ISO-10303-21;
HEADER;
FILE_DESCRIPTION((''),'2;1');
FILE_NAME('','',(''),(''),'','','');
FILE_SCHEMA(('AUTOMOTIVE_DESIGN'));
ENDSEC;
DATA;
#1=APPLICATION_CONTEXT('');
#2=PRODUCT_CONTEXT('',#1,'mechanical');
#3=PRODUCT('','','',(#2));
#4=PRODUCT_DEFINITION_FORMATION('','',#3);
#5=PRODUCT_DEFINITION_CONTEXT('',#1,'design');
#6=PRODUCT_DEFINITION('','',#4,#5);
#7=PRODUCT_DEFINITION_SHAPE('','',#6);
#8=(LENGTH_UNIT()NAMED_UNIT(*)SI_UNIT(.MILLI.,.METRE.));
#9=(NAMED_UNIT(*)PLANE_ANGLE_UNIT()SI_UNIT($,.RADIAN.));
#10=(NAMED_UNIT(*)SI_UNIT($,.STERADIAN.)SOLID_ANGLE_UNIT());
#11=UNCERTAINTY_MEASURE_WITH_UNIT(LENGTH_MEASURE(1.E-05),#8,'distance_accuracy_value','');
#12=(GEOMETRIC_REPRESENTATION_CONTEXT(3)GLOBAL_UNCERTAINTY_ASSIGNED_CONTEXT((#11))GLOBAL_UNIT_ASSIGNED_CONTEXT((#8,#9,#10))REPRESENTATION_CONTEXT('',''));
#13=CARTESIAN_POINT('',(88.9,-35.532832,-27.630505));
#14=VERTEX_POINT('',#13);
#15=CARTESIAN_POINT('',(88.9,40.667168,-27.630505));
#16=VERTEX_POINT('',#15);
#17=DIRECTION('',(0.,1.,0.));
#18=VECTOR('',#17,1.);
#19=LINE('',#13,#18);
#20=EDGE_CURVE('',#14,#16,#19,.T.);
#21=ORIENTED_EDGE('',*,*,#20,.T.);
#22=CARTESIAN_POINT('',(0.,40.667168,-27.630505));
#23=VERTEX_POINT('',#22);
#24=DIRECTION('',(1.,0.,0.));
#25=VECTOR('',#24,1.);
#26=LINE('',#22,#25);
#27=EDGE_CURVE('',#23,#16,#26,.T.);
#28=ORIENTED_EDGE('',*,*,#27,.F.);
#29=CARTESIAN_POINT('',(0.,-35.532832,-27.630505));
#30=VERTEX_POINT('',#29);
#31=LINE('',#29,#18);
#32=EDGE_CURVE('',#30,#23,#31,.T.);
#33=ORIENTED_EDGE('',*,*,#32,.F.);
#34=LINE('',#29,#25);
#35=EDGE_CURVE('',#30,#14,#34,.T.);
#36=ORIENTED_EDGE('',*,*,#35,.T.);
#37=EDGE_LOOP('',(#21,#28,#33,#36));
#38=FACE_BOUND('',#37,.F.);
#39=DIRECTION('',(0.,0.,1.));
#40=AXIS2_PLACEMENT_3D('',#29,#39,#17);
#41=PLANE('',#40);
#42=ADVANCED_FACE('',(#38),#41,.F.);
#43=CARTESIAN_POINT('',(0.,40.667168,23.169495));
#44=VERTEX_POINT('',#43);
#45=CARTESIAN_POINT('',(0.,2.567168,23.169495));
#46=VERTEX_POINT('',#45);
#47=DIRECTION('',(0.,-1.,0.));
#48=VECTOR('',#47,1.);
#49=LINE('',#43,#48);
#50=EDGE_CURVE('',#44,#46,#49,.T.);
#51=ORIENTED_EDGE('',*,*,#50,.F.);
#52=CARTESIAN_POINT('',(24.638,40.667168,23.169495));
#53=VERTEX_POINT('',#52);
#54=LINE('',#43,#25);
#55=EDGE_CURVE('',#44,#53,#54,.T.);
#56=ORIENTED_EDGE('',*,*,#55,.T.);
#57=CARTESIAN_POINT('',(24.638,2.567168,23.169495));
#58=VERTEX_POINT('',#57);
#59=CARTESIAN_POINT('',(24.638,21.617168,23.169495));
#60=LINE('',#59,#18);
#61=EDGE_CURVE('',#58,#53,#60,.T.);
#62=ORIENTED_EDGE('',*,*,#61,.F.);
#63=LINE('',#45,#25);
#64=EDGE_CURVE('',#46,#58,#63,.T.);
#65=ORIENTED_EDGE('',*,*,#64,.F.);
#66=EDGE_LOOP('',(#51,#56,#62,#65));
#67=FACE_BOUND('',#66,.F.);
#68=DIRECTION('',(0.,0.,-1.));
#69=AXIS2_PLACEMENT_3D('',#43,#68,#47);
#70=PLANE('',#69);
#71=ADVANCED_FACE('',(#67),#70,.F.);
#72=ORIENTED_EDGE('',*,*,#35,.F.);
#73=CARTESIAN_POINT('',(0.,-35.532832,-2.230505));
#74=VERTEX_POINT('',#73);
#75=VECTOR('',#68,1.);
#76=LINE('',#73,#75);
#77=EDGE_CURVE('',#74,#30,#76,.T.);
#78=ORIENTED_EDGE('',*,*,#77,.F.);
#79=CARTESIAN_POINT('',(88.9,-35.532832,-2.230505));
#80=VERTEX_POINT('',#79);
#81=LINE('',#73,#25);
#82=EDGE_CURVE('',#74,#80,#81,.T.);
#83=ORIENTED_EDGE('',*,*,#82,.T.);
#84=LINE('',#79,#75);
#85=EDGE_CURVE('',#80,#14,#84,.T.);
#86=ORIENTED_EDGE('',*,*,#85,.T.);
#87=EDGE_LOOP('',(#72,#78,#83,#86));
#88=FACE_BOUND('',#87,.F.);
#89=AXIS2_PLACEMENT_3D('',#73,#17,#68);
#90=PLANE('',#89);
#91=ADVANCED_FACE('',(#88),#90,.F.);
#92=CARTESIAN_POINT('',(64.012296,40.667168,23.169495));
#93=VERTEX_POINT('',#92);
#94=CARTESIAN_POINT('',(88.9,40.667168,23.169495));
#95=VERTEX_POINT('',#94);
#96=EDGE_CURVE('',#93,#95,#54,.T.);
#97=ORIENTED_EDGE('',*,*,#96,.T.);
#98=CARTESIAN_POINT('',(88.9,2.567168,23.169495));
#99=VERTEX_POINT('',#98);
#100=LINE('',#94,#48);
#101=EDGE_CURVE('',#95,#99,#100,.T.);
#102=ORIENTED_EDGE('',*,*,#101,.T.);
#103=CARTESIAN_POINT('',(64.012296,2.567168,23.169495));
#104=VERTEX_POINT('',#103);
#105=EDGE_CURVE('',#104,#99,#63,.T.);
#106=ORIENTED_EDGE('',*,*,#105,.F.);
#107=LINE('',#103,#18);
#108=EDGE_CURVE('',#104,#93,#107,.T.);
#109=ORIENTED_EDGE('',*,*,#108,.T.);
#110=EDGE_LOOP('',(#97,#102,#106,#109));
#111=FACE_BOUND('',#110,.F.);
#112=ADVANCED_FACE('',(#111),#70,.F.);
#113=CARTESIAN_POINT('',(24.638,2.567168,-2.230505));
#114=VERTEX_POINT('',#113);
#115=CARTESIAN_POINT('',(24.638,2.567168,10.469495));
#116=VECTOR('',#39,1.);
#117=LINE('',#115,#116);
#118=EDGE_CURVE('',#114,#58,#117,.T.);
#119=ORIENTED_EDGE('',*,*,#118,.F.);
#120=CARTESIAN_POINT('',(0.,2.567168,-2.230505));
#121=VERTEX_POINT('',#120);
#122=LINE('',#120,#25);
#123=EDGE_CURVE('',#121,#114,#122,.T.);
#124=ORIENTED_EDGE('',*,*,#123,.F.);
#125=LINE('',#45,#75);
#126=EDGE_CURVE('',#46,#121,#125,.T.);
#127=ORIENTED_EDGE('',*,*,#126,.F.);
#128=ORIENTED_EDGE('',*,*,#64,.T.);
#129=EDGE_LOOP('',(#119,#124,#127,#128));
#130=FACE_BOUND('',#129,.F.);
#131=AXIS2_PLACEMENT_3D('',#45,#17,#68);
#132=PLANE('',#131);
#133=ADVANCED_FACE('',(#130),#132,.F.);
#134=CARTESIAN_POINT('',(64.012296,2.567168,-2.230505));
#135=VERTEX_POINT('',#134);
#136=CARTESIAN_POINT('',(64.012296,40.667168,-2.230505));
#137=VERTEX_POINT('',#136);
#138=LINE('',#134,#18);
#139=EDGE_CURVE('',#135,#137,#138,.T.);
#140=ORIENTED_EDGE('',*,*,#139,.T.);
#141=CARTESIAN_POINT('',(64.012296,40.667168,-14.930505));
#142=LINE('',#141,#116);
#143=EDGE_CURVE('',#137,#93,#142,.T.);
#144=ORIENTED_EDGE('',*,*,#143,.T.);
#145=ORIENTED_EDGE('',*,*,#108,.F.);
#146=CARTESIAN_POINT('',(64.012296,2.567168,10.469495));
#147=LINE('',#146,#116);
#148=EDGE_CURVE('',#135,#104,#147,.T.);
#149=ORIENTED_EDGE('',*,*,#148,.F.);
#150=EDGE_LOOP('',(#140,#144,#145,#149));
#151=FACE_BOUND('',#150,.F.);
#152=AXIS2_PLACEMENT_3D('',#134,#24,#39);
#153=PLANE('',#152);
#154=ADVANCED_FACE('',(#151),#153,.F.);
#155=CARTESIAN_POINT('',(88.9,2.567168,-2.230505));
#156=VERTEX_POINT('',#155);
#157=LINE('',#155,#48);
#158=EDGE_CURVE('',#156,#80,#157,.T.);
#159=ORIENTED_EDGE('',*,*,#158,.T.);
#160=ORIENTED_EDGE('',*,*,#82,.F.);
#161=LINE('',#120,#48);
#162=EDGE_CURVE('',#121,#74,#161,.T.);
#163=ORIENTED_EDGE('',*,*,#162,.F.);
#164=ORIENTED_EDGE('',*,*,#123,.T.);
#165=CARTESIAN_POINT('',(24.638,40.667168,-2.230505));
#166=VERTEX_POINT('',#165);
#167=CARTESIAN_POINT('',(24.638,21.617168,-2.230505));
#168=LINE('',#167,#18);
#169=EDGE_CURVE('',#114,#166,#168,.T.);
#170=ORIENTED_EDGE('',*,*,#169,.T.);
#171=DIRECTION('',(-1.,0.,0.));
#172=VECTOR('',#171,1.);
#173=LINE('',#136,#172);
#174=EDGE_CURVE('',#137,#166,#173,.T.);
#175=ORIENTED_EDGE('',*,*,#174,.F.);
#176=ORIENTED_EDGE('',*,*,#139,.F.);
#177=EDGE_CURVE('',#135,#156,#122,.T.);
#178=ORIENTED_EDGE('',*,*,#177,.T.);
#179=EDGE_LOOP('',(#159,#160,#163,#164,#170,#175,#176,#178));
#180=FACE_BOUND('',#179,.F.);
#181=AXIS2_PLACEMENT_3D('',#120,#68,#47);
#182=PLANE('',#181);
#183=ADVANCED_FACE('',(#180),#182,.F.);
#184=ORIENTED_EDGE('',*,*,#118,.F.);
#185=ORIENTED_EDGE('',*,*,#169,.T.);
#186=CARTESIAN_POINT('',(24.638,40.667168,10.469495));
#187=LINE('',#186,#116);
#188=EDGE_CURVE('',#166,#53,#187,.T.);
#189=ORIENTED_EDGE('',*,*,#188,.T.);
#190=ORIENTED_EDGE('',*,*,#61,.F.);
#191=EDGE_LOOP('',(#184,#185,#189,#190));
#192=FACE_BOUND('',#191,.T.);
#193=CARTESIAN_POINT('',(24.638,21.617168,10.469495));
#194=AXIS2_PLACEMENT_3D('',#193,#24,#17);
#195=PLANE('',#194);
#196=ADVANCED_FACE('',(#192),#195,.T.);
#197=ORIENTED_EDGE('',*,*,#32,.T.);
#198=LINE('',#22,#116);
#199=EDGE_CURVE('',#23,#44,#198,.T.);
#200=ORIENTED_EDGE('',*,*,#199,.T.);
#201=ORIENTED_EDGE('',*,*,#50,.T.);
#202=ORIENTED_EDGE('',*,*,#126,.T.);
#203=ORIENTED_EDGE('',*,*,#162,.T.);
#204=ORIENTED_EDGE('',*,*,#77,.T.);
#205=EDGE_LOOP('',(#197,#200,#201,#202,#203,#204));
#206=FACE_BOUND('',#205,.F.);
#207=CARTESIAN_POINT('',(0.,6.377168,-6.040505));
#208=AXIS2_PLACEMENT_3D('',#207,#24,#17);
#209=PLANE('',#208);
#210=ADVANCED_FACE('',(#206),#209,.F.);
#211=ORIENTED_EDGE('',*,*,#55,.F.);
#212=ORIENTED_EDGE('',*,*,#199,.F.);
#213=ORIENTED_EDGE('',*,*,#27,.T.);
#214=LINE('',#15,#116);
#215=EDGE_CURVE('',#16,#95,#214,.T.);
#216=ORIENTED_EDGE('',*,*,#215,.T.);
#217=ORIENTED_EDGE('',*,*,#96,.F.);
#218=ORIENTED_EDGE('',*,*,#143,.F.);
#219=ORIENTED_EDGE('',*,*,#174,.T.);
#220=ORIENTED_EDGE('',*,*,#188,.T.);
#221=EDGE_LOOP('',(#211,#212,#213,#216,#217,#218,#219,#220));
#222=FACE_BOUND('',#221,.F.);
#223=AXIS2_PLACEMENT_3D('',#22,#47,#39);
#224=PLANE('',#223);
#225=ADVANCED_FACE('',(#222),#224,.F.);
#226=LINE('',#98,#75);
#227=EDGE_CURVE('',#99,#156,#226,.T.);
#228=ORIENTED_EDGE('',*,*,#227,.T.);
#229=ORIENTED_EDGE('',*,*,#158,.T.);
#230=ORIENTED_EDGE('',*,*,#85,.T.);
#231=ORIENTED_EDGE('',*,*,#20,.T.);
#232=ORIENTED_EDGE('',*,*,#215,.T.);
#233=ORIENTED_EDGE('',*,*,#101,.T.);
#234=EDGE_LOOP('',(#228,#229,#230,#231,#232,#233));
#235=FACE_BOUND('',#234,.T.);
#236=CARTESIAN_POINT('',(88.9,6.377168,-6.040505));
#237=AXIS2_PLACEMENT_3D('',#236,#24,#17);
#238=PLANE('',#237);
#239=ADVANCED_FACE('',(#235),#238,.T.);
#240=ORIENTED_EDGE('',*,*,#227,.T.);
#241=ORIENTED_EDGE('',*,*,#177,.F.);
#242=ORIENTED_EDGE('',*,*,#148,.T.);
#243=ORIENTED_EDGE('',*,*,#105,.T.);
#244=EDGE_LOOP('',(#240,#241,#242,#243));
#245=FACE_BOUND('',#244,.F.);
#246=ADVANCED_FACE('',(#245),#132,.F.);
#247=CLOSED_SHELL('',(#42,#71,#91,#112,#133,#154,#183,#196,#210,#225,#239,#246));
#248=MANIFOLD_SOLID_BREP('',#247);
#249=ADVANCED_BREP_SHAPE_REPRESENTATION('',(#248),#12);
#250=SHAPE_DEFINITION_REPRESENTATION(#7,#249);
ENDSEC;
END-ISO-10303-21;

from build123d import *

# Parameters (mm, degrees)
F1_DEPTH  = 88.9
F2_W      = 19.562296
F2_H      = 25.4
F3_DEPTH  = 38.101
F3_FACE_W = 38.1
F3_FACE_H = 25.4
F4_DEPTH  = 19.812


with BuildPart() as f1:
    # F0 (on Right) → F1 (new body)
    with BuildSketch(Plane.YZ):
        Polygon((-35.532832, -2.230505), (-35.532832, -27.630505), (40.667168, -27.630505), (40.667168, 23.169495), (2.567168, 23.169495), (2.567168, -2.230505), align=None)
    extrude(amount=F1_DEPTH)

    # F2 (on face) → F3 (cut, through all)
    with BuildSketch(Plane.XZ.offset(-2.567168)):
        with Locations((54.231148, 10.469495)):
            Rectangle(F2_W, F2_H)
    extrude(amount=-F3_DEPTH, mode=Mode.SUBTRACT)

    # F3_face (on face) → F4 (cut)
    with BuildSketch(Plane(origin=(44.45, 21.617168, 10.469495), x_dir=(0, 1, 0), z_dir=(1, 0, 0))):
        Rectangle(F3_FACE_W, F3_FACE_H)
    extrude(amount=-F4_DEPTH, mode=Mode.SUBTRACT)


solid = f1.part
